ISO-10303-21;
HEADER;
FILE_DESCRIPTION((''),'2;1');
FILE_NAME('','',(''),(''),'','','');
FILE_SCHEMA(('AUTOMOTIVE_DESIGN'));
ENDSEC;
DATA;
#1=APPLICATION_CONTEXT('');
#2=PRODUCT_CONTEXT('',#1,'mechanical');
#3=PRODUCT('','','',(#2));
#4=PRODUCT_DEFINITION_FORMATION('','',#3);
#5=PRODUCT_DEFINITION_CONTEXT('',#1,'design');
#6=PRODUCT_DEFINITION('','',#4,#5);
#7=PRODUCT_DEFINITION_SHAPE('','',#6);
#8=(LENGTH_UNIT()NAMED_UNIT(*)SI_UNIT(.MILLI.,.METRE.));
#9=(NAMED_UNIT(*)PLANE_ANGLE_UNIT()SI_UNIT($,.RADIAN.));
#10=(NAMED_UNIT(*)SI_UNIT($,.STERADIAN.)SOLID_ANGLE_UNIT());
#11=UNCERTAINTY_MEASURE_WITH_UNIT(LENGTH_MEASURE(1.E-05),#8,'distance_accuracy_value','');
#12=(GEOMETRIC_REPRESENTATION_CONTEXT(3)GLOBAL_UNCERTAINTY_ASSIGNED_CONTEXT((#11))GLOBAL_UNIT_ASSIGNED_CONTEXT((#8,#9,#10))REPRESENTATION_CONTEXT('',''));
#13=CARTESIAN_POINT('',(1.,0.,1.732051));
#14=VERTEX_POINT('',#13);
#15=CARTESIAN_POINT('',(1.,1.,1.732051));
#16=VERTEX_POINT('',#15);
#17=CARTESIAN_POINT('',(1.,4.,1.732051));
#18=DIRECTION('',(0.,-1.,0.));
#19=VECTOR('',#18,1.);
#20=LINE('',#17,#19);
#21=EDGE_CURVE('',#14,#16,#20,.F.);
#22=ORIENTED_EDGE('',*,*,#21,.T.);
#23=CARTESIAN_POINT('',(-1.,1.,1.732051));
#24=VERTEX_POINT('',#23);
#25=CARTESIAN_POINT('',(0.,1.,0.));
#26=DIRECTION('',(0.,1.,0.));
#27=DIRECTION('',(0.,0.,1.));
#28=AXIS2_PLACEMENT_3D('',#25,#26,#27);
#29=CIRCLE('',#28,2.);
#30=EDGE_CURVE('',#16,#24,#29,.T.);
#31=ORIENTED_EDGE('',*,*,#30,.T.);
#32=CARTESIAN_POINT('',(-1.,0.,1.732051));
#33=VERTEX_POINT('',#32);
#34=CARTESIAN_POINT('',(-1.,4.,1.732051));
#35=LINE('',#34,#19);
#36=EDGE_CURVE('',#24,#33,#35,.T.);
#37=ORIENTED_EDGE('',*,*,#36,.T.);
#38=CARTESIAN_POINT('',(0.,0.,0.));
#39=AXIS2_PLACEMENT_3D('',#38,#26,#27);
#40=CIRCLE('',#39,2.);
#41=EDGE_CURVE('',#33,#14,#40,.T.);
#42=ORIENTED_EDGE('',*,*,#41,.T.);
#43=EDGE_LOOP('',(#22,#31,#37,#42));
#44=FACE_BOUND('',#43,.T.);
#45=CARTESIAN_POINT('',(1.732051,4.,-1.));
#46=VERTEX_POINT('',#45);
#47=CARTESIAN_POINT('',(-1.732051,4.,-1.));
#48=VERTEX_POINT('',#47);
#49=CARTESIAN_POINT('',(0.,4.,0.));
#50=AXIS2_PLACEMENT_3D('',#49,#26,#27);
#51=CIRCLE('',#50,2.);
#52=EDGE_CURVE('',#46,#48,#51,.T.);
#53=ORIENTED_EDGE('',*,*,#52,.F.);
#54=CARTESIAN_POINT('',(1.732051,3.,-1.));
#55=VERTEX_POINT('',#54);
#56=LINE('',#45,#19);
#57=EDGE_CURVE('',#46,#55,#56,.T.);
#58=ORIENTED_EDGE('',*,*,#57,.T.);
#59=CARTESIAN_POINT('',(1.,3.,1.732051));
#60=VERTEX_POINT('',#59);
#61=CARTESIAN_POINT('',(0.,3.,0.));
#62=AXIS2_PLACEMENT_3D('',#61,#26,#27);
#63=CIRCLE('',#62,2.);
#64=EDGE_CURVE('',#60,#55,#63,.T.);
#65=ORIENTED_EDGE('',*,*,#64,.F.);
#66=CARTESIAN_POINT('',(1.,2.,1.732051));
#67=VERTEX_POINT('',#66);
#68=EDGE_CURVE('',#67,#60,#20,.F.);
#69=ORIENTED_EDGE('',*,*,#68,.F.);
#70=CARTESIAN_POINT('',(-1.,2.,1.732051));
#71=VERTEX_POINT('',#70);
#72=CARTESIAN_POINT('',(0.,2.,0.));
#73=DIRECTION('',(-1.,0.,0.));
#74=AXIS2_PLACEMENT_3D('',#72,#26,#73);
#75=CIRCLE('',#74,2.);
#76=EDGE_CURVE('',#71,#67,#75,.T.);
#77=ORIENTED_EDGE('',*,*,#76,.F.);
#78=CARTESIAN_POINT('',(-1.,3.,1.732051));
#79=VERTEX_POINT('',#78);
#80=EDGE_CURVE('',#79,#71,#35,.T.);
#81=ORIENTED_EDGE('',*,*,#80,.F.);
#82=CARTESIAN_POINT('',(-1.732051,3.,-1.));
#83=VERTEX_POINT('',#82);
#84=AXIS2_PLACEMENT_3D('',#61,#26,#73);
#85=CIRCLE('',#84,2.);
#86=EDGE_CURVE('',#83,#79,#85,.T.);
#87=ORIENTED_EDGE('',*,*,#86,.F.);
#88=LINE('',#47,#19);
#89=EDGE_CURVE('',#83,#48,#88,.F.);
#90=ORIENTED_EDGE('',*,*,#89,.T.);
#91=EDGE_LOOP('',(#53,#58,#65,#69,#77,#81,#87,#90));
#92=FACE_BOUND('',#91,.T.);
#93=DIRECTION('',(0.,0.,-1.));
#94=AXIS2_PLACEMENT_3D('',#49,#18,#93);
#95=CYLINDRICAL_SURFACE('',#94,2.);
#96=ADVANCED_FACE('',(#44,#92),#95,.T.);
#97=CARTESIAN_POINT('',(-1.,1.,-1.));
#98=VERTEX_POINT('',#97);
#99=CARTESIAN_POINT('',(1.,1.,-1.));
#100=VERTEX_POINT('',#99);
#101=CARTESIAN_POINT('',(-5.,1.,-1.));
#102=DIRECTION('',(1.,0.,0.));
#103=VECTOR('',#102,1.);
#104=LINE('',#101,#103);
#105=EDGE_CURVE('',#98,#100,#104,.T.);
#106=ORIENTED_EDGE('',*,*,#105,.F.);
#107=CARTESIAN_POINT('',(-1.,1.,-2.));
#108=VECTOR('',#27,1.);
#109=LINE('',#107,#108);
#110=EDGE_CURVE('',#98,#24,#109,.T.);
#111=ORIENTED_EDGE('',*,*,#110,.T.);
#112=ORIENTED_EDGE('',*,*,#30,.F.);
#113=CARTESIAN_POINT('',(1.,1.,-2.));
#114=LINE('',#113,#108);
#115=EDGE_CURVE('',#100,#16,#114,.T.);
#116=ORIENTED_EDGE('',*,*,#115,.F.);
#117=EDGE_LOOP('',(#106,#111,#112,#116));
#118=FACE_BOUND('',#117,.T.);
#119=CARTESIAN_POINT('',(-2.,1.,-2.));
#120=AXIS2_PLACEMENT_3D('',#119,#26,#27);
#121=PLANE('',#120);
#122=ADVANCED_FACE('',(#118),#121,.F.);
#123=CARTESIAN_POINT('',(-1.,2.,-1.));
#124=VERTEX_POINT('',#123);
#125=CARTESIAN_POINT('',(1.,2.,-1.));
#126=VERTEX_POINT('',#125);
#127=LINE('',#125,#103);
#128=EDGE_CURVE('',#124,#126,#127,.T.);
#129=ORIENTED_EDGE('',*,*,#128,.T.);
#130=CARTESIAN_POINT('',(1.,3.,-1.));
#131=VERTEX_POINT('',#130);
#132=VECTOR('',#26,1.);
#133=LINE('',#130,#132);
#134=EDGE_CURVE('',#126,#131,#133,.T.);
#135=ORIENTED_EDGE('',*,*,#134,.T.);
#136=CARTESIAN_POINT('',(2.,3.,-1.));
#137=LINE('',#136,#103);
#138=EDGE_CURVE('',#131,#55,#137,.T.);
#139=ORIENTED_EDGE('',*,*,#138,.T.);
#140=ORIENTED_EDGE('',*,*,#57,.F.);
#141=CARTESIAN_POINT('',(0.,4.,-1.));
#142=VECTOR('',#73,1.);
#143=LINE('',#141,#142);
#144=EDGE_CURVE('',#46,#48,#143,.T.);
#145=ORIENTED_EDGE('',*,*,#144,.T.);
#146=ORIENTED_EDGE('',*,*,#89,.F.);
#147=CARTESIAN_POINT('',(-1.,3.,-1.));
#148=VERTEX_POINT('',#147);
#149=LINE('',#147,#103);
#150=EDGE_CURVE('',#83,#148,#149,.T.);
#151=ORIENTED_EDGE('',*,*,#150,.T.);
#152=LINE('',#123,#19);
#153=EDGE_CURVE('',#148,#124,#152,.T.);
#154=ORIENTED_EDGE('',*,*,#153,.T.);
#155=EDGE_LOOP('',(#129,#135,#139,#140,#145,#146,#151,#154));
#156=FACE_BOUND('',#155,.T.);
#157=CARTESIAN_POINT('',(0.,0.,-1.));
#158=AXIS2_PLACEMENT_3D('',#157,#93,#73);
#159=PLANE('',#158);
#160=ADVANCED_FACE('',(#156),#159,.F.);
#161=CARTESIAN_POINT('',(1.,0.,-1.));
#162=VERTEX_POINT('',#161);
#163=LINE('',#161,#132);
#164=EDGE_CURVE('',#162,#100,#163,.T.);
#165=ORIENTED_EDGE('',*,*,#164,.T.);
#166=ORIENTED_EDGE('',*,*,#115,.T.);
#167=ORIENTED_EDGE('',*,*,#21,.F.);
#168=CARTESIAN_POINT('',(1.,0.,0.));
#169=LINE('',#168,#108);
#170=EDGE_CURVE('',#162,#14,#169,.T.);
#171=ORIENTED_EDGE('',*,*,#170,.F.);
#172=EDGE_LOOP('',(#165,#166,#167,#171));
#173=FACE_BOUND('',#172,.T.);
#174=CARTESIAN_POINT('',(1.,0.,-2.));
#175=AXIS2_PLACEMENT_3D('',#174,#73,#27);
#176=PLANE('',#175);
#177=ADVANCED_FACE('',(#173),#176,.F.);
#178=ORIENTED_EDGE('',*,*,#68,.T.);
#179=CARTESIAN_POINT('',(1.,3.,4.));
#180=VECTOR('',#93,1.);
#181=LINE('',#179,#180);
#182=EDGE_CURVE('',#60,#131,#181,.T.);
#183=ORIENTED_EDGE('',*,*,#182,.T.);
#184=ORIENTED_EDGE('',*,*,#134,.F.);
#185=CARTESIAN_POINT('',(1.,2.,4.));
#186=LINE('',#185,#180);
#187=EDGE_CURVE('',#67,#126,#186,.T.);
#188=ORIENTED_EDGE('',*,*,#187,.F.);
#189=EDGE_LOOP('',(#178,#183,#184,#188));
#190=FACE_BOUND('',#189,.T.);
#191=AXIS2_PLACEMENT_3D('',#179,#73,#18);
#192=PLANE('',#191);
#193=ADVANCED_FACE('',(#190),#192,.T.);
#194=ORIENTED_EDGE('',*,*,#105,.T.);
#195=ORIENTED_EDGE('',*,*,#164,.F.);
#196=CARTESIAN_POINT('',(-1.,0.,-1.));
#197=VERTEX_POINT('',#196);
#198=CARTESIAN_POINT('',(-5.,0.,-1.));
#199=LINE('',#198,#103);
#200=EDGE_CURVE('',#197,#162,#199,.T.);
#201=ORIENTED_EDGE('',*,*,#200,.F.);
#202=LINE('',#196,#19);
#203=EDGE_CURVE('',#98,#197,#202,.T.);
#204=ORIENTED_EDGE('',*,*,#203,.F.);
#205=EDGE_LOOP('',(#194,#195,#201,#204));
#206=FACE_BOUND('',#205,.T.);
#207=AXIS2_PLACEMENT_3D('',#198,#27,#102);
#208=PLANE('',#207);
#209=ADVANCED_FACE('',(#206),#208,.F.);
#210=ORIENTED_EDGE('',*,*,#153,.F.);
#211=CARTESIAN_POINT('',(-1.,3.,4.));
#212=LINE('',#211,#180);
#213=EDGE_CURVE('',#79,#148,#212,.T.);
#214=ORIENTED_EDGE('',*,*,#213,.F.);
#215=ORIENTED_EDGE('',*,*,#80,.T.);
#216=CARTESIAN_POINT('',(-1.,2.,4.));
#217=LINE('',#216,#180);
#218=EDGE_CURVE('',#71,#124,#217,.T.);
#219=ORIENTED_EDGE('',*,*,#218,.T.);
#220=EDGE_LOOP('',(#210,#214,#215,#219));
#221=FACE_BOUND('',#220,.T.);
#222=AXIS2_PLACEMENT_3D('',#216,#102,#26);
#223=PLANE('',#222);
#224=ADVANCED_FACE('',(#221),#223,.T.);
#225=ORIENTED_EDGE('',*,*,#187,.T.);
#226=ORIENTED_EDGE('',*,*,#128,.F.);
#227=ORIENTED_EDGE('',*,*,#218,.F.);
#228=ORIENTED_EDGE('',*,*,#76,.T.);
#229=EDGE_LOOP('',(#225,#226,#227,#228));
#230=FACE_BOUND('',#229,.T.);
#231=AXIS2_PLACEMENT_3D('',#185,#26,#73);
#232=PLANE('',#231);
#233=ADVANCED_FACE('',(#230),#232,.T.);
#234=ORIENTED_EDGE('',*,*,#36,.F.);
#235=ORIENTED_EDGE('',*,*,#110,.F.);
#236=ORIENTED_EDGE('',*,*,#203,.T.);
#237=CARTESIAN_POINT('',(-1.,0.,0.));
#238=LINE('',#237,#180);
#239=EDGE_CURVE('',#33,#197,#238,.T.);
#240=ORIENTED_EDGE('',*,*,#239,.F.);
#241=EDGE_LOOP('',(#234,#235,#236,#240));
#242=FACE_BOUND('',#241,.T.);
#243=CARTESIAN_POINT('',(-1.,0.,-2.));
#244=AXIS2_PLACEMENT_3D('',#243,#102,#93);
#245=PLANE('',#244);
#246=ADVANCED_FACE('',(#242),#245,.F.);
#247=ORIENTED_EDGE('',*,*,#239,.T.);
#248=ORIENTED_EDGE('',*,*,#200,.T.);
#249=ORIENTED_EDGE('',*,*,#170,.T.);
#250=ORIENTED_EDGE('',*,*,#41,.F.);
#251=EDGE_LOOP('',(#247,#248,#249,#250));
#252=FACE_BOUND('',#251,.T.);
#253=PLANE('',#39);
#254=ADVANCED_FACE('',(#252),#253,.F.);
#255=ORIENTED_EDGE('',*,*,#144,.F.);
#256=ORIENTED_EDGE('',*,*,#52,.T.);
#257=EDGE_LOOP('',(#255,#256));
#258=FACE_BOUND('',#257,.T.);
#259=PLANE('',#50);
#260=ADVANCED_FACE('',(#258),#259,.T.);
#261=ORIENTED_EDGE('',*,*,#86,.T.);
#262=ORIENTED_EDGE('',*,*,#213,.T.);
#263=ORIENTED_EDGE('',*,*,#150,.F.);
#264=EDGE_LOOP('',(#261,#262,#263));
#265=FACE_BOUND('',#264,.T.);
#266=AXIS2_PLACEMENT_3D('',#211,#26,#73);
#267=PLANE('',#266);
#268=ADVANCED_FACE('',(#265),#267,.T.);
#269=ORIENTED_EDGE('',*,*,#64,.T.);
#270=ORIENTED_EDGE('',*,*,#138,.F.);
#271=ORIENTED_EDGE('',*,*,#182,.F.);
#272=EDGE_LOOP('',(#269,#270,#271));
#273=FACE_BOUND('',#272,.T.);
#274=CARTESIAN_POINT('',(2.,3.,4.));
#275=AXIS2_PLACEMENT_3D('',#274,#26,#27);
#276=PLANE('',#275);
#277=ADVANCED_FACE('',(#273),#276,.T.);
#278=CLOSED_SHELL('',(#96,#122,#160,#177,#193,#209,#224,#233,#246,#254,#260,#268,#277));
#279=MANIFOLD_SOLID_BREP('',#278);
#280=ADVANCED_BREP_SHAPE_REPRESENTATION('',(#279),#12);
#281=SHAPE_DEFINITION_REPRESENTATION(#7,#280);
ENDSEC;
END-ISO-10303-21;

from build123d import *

# Parameters (mm, degrees)
SKETCH1_R               = 2
BOSS_EXTRUDE1_DEPTH     = 4
SKETCH2_W               = 1
SKETCH2_H               = 1
CUT_EXTRUDE1_DEPTH      = 2
CUT_EXTRUDE2_DEPTH      = 4
CUT_EXTRUDE2_DEPTH_BACK = 1
SKETCH4_W               = 1
SKETCH4_H               = 1
CUT_EXTRUDE3_DEPTH      = 5


with BuildPart() as part:
    # Sketch1 → Boss-Extrude1 (new body)
    with BuildSketch(Plane(origin=(0, 0, 0), x_dir=(1, 0, 0), z_dir=(0, 1, 0))):
        Circle(SKETCH1_R)
    extrude(amount=BOSS_EXTRUDE1_DEPTH)

    # Sketch2 → Cut-Extrude1 (cut, symmetric)
    with BuildSketch(Plane.XY):
        with Locations((-1.5, 0.5)):
            Rectangle(SKETCH2_W, SKETCH2_H)
        with Locations((1.5, 0.5)):
            Rectangle(SKETCH2_W, SKETCH2_H)
    extrude(amount=CUT_EXTRUDE1_DEPTH, both=True, mode=Mode.SUBTRACT)

    # Sketch3 → Cut-Extrude2 (cut, two sides)
    with BuildSketch(Plane.XY) as cut_extrude2_sk:
        Polygon((-2, 4), (2, 4), (2, 3), (1, 3), (1, 2), (-1, 2), (-1, 3), (-2, 3), align=None)
    extrude(amount=CUT_EXTRUDE2_DEPTH, mode=Mode.SUBTRACT)
    extrude(cut_extrude2_sk.sketch, amount=-CUT_EXTRUDE2_DEPTH_BACK, mode=Mode.SUBTRACT)

    # Sketch4 → Cut-Extrude3 (cut, symmetric)
    with BuildSketch(Plane(origin=(0, 0, 0), x_dir=(0, 0, -1), z_dir=(1, 0, 0))):
        with Locations((1.5, 0.5)):
            Rectangle(SKETCH4_W, SKETCH4_H)
    extrude(amount=CUT_EXTRUDE3_DEPTH, both=True, mode=Mode.SUBTRACT)


solid = part.part
